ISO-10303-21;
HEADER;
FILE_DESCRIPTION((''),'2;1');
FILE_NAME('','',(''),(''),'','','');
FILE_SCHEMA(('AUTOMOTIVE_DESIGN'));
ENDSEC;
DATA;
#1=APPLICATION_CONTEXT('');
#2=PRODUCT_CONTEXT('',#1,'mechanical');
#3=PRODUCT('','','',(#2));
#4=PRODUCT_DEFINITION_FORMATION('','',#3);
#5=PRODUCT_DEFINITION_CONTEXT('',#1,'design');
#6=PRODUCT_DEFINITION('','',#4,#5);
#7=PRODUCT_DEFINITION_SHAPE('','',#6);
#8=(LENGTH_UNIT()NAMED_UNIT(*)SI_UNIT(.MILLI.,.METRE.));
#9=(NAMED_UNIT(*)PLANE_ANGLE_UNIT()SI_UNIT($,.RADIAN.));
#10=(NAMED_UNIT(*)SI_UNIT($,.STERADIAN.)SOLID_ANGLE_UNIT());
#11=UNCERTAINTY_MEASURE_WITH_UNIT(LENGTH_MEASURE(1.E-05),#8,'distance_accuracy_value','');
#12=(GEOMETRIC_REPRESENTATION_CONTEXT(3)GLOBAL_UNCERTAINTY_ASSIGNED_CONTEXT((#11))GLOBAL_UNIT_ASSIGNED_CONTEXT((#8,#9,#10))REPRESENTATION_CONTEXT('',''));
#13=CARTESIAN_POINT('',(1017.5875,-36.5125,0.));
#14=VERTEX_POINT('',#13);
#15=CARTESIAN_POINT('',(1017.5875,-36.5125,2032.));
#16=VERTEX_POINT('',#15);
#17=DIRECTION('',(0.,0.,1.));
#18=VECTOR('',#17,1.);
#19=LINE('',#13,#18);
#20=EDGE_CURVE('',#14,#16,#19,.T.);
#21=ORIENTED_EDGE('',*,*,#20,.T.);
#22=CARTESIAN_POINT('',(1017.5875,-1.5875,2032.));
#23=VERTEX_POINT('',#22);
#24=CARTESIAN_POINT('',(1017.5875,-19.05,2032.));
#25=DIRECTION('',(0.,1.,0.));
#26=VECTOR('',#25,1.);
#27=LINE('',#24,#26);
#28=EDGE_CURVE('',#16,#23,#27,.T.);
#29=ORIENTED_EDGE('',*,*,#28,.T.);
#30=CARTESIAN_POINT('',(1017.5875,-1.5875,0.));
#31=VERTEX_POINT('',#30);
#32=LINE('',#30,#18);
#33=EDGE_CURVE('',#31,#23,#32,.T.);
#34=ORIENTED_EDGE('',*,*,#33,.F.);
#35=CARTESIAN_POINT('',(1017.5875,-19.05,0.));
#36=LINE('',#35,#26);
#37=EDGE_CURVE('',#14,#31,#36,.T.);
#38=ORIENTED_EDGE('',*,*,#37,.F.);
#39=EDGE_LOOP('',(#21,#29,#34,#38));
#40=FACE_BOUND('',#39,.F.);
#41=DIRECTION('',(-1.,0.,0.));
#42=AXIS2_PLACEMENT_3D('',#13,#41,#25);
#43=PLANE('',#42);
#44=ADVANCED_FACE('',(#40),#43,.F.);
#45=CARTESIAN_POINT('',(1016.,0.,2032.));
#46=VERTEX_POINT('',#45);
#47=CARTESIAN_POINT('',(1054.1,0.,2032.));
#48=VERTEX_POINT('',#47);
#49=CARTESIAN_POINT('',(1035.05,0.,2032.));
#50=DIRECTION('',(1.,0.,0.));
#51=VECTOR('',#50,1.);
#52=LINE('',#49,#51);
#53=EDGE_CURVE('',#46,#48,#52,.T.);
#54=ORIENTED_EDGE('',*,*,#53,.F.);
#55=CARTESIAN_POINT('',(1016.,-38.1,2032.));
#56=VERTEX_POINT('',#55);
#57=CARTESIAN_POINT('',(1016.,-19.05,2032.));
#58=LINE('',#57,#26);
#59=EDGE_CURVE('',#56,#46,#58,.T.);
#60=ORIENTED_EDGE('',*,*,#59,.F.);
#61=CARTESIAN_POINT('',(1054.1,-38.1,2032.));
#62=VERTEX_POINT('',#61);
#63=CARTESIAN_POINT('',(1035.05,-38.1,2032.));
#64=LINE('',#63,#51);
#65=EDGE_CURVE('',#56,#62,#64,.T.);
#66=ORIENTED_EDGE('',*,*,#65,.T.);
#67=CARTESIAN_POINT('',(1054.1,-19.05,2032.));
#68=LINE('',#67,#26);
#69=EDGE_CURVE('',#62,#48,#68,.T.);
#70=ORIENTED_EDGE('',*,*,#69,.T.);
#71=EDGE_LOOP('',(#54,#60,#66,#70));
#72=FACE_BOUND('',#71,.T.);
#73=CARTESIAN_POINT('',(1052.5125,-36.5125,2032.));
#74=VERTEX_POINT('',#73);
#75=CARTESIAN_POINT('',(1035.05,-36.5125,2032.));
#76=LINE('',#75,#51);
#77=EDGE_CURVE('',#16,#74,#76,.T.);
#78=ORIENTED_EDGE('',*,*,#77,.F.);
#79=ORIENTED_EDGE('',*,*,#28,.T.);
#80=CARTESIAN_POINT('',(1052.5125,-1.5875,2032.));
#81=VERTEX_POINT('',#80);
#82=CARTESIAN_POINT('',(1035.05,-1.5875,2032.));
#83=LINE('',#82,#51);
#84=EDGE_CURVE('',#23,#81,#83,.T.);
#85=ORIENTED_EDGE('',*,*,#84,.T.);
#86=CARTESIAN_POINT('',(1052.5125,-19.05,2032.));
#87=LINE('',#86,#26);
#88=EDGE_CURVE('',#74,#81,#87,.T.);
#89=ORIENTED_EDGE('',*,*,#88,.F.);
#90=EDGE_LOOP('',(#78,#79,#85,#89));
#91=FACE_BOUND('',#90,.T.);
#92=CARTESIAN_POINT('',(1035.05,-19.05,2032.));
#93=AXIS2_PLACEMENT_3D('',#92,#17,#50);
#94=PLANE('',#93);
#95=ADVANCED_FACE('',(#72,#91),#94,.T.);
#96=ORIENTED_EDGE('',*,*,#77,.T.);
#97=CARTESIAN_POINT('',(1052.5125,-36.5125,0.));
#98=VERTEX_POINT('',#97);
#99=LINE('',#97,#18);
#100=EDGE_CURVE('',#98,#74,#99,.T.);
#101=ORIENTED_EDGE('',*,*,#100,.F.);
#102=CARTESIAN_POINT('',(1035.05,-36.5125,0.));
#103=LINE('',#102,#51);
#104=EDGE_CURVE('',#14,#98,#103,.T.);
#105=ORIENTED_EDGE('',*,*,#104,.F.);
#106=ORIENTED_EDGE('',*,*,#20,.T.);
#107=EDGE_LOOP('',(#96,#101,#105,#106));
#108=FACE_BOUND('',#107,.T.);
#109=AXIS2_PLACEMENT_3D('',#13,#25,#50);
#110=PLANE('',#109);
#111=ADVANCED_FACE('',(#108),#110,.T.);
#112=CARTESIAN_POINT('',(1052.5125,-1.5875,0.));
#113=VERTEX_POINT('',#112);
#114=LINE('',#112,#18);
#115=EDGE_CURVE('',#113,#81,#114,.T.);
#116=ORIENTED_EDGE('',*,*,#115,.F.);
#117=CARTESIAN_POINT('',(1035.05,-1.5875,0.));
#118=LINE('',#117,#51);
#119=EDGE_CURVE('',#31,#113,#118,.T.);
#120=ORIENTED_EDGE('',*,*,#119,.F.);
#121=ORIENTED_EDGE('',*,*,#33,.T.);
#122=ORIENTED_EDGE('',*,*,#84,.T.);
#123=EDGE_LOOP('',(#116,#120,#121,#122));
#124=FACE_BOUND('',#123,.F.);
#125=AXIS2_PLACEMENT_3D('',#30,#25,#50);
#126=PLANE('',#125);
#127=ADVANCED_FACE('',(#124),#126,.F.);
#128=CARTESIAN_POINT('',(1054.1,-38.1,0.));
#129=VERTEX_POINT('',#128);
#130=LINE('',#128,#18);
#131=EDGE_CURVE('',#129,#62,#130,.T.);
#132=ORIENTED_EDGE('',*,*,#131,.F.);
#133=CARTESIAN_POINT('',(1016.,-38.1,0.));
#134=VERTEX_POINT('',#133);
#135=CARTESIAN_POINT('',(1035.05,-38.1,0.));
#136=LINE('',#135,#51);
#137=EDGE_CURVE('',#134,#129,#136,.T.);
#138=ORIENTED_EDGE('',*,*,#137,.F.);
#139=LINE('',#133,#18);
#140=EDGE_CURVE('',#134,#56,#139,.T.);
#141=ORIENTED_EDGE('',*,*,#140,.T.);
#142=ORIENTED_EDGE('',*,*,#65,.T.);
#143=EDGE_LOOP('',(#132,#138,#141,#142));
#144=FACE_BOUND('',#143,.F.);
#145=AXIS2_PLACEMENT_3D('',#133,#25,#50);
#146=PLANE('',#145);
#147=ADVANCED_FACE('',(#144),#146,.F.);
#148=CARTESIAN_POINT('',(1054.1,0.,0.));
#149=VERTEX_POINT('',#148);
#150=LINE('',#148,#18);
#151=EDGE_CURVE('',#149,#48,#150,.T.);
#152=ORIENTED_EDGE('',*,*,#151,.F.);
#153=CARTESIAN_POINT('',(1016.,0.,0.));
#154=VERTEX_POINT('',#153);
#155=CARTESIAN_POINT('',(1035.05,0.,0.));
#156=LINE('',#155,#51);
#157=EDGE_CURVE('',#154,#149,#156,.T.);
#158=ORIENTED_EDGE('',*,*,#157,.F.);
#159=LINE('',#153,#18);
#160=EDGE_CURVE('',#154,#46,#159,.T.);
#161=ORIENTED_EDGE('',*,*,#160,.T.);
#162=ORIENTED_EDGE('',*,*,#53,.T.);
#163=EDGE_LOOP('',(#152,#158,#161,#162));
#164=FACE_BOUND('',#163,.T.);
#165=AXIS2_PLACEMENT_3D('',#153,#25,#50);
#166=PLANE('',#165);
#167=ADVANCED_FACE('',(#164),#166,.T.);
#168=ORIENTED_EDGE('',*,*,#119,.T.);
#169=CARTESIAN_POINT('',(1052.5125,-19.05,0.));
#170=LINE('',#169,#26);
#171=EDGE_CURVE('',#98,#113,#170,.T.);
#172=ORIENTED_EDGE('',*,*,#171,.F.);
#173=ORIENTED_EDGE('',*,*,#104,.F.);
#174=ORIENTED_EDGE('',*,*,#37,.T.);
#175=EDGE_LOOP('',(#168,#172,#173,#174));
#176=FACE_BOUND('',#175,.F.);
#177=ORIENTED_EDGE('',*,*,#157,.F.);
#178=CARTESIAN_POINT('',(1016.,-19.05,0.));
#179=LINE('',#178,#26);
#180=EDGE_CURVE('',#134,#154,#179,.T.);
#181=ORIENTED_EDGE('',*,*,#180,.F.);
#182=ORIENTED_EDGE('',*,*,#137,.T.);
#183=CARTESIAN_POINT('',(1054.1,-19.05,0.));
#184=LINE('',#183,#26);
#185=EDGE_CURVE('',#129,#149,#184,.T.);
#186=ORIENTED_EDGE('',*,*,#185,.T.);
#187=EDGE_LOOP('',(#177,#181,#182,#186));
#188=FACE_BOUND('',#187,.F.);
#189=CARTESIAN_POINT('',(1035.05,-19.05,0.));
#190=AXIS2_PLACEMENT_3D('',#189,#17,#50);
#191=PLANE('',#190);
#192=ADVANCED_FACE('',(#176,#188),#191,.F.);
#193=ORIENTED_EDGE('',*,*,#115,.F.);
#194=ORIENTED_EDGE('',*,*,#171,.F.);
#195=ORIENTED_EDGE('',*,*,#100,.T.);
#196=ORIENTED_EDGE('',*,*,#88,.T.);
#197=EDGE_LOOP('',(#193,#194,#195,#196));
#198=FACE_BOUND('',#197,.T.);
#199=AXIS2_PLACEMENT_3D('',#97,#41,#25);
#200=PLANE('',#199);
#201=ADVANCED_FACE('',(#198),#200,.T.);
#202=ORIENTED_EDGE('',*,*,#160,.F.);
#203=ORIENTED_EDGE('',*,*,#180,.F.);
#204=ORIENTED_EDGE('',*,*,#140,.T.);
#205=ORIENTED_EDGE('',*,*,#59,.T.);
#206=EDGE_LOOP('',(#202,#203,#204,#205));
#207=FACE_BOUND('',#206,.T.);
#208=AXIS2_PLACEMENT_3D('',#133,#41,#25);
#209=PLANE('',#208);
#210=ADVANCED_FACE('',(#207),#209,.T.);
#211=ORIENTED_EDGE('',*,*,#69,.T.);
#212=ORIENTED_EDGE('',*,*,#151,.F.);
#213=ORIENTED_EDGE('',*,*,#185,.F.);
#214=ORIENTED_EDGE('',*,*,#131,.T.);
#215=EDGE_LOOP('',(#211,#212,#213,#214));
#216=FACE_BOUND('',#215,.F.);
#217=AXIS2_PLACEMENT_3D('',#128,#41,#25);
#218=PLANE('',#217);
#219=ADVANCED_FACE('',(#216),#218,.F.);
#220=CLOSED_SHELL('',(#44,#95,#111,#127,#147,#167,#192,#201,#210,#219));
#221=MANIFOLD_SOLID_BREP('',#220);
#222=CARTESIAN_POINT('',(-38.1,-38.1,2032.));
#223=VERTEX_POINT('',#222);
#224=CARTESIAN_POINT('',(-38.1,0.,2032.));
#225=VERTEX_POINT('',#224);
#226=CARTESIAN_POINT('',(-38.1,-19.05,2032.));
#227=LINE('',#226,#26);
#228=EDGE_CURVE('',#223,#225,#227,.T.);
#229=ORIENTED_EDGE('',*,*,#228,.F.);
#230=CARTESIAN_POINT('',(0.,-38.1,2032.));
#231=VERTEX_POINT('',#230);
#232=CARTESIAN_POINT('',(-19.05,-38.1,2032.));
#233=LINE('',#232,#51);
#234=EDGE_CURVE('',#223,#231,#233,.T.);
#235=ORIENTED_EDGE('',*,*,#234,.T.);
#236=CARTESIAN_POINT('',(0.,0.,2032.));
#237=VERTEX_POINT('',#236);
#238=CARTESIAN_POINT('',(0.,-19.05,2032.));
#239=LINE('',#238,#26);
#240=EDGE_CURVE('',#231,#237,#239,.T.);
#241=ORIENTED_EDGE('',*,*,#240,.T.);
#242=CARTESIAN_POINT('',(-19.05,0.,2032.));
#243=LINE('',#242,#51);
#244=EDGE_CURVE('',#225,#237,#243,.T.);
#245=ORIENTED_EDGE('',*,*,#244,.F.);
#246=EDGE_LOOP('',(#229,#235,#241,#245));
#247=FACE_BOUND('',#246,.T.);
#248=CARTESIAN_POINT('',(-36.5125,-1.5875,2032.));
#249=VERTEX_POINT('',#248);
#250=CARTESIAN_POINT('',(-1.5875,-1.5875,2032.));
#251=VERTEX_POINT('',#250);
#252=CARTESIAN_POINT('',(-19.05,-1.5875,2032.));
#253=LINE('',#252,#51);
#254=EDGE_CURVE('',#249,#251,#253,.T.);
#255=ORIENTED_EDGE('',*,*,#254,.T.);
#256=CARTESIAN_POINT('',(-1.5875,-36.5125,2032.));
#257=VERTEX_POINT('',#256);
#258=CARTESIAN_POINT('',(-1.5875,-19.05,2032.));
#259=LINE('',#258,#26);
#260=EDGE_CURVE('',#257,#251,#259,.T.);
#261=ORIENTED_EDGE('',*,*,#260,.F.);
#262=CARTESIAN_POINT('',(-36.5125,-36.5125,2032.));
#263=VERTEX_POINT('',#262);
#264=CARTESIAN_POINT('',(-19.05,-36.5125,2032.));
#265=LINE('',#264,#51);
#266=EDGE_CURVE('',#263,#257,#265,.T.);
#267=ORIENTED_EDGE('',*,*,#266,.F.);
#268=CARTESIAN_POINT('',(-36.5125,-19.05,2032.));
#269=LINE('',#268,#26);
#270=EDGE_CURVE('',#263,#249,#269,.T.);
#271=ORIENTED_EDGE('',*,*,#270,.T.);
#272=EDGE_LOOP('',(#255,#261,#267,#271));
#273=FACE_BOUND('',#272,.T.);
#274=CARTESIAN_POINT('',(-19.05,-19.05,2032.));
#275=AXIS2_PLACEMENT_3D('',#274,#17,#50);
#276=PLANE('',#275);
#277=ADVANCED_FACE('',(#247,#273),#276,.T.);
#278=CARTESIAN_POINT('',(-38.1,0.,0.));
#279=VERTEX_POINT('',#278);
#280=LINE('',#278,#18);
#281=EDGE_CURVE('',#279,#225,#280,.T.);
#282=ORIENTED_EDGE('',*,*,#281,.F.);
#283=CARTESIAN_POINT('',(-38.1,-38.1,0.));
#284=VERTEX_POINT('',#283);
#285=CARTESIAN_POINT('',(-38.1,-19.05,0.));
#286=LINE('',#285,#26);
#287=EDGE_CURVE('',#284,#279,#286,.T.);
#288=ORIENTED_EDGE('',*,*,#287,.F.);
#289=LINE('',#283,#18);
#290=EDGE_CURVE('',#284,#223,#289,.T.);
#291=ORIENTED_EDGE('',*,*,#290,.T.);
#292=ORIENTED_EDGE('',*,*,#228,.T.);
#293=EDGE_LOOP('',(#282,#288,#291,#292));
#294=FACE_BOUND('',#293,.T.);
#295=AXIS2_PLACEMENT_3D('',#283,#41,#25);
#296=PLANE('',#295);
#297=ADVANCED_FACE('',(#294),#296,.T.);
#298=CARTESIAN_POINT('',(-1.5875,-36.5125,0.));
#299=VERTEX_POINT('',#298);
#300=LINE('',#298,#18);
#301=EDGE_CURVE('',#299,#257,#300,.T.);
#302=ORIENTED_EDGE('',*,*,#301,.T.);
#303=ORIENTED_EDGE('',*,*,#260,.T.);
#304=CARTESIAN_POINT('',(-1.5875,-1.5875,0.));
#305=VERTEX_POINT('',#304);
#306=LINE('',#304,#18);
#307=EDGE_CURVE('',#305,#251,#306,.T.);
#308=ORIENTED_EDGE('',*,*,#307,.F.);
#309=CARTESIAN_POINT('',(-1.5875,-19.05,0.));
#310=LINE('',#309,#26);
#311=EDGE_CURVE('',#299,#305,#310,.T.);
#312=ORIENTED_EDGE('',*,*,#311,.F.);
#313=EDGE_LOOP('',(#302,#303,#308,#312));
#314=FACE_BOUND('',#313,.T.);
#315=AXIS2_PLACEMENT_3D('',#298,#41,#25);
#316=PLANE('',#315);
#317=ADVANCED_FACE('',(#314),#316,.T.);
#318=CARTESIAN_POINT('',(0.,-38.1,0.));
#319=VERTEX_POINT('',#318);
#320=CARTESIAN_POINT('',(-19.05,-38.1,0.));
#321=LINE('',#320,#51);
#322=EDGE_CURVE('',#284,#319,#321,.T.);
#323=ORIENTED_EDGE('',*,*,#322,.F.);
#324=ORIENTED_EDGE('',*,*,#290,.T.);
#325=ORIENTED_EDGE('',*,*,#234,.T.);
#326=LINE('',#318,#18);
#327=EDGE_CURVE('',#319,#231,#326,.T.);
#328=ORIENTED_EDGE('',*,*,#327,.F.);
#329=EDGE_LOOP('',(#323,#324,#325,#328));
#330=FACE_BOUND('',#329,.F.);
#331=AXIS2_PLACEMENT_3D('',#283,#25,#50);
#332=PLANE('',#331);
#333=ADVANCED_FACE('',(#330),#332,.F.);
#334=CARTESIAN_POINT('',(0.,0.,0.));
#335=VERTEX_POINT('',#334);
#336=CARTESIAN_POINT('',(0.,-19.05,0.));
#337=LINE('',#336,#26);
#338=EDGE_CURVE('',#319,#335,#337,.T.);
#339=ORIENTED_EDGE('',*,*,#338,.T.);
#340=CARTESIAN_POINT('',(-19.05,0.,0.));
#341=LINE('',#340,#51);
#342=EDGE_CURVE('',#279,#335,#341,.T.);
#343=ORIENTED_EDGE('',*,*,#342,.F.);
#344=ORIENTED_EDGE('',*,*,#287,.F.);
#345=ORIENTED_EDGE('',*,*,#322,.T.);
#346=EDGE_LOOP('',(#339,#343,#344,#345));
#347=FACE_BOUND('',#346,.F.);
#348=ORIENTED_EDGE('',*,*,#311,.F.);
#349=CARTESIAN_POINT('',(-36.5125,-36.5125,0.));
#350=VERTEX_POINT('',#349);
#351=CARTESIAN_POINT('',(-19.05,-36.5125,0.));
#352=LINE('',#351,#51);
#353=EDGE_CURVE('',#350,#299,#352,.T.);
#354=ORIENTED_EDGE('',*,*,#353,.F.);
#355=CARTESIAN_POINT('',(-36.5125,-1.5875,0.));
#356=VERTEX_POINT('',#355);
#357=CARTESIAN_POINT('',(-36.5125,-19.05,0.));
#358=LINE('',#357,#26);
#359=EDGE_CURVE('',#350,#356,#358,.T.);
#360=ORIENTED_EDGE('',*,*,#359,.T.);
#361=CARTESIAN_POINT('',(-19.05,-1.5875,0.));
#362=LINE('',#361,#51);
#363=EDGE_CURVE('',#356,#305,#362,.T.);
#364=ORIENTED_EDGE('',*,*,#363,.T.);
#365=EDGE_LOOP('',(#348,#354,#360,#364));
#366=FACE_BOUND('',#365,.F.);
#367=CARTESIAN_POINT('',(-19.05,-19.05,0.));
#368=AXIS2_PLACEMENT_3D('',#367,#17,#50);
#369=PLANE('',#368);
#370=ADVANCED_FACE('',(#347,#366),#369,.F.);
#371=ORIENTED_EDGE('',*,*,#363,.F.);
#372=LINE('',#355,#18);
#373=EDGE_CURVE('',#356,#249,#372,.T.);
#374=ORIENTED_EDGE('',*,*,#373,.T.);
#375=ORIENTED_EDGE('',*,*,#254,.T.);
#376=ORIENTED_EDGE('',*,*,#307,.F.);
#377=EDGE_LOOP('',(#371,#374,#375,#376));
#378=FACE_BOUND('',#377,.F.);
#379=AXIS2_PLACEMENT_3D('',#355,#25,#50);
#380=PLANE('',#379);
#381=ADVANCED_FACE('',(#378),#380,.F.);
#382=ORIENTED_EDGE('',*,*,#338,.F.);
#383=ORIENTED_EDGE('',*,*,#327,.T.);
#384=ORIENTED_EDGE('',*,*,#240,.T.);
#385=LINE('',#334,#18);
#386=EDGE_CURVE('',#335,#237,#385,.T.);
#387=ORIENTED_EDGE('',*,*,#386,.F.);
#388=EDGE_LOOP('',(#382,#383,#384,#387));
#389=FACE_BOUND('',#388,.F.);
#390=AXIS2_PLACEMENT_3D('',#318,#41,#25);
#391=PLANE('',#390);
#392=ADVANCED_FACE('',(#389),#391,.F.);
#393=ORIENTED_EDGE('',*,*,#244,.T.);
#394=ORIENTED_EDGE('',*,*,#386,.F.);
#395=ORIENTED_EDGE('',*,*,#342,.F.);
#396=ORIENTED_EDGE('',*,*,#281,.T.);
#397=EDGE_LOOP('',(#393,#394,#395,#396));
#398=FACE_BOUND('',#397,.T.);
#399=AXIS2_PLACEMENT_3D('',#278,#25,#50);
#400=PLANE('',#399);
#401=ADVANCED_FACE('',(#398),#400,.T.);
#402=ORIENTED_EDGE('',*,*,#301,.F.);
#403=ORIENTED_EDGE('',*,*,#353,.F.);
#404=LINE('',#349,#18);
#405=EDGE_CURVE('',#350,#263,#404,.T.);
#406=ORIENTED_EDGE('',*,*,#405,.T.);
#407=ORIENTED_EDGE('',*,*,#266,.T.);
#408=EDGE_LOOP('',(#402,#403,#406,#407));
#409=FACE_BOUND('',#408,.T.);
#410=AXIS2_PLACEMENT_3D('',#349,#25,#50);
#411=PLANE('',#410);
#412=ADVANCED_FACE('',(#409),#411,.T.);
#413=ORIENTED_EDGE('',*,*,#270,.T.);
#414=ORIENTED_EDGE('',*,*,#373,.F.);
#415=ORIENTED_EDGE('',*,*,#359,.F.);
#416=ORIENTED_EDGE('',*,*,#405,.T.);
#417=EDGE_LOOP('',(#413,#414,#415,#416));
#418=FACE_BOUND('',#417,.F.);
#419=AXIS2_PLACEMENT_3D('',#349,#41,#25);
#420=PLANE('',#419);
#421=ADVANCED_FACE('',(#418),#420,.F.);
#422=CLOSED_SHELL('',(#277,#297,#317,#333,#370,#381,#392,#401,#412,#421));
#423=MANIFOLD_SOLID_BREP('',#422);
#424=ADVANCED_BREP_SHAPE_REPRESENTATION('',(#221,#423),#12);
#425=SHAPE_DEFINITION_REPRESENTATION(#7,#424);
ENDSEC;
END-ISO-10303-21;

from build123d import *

# Parameters (mm, degrees)
F1_W     = 38.1
F1_H     = 38.1
F1_W_2   = 34.925
F1_H_2   = 34.925
F2_DEPTH = 2032


with BuildPart() as f2:
    # F1 (on Top) → F2 (new body, through all)
    with BuildSketch(Plane.XY):
        with Locations((-19.05, -19.05)):
            Rectangle(F1_W, F1_H)
        with Locations((-19.05, -19.05)):
            Rectangle(F1_W_2, F1_H_2, mode=Mode.SUBTRACT)
        with Locations((1035.05, -19.05)):
            Rectangle(F1_W, F1_H)
        with Locations((1035.05, -19.05)):
            Rectangle(F1_W_2, F1_H_2, mode=Mode.SUBTRACT)
    extrude(amount=F2_DEPTH)


solid = f2.part
